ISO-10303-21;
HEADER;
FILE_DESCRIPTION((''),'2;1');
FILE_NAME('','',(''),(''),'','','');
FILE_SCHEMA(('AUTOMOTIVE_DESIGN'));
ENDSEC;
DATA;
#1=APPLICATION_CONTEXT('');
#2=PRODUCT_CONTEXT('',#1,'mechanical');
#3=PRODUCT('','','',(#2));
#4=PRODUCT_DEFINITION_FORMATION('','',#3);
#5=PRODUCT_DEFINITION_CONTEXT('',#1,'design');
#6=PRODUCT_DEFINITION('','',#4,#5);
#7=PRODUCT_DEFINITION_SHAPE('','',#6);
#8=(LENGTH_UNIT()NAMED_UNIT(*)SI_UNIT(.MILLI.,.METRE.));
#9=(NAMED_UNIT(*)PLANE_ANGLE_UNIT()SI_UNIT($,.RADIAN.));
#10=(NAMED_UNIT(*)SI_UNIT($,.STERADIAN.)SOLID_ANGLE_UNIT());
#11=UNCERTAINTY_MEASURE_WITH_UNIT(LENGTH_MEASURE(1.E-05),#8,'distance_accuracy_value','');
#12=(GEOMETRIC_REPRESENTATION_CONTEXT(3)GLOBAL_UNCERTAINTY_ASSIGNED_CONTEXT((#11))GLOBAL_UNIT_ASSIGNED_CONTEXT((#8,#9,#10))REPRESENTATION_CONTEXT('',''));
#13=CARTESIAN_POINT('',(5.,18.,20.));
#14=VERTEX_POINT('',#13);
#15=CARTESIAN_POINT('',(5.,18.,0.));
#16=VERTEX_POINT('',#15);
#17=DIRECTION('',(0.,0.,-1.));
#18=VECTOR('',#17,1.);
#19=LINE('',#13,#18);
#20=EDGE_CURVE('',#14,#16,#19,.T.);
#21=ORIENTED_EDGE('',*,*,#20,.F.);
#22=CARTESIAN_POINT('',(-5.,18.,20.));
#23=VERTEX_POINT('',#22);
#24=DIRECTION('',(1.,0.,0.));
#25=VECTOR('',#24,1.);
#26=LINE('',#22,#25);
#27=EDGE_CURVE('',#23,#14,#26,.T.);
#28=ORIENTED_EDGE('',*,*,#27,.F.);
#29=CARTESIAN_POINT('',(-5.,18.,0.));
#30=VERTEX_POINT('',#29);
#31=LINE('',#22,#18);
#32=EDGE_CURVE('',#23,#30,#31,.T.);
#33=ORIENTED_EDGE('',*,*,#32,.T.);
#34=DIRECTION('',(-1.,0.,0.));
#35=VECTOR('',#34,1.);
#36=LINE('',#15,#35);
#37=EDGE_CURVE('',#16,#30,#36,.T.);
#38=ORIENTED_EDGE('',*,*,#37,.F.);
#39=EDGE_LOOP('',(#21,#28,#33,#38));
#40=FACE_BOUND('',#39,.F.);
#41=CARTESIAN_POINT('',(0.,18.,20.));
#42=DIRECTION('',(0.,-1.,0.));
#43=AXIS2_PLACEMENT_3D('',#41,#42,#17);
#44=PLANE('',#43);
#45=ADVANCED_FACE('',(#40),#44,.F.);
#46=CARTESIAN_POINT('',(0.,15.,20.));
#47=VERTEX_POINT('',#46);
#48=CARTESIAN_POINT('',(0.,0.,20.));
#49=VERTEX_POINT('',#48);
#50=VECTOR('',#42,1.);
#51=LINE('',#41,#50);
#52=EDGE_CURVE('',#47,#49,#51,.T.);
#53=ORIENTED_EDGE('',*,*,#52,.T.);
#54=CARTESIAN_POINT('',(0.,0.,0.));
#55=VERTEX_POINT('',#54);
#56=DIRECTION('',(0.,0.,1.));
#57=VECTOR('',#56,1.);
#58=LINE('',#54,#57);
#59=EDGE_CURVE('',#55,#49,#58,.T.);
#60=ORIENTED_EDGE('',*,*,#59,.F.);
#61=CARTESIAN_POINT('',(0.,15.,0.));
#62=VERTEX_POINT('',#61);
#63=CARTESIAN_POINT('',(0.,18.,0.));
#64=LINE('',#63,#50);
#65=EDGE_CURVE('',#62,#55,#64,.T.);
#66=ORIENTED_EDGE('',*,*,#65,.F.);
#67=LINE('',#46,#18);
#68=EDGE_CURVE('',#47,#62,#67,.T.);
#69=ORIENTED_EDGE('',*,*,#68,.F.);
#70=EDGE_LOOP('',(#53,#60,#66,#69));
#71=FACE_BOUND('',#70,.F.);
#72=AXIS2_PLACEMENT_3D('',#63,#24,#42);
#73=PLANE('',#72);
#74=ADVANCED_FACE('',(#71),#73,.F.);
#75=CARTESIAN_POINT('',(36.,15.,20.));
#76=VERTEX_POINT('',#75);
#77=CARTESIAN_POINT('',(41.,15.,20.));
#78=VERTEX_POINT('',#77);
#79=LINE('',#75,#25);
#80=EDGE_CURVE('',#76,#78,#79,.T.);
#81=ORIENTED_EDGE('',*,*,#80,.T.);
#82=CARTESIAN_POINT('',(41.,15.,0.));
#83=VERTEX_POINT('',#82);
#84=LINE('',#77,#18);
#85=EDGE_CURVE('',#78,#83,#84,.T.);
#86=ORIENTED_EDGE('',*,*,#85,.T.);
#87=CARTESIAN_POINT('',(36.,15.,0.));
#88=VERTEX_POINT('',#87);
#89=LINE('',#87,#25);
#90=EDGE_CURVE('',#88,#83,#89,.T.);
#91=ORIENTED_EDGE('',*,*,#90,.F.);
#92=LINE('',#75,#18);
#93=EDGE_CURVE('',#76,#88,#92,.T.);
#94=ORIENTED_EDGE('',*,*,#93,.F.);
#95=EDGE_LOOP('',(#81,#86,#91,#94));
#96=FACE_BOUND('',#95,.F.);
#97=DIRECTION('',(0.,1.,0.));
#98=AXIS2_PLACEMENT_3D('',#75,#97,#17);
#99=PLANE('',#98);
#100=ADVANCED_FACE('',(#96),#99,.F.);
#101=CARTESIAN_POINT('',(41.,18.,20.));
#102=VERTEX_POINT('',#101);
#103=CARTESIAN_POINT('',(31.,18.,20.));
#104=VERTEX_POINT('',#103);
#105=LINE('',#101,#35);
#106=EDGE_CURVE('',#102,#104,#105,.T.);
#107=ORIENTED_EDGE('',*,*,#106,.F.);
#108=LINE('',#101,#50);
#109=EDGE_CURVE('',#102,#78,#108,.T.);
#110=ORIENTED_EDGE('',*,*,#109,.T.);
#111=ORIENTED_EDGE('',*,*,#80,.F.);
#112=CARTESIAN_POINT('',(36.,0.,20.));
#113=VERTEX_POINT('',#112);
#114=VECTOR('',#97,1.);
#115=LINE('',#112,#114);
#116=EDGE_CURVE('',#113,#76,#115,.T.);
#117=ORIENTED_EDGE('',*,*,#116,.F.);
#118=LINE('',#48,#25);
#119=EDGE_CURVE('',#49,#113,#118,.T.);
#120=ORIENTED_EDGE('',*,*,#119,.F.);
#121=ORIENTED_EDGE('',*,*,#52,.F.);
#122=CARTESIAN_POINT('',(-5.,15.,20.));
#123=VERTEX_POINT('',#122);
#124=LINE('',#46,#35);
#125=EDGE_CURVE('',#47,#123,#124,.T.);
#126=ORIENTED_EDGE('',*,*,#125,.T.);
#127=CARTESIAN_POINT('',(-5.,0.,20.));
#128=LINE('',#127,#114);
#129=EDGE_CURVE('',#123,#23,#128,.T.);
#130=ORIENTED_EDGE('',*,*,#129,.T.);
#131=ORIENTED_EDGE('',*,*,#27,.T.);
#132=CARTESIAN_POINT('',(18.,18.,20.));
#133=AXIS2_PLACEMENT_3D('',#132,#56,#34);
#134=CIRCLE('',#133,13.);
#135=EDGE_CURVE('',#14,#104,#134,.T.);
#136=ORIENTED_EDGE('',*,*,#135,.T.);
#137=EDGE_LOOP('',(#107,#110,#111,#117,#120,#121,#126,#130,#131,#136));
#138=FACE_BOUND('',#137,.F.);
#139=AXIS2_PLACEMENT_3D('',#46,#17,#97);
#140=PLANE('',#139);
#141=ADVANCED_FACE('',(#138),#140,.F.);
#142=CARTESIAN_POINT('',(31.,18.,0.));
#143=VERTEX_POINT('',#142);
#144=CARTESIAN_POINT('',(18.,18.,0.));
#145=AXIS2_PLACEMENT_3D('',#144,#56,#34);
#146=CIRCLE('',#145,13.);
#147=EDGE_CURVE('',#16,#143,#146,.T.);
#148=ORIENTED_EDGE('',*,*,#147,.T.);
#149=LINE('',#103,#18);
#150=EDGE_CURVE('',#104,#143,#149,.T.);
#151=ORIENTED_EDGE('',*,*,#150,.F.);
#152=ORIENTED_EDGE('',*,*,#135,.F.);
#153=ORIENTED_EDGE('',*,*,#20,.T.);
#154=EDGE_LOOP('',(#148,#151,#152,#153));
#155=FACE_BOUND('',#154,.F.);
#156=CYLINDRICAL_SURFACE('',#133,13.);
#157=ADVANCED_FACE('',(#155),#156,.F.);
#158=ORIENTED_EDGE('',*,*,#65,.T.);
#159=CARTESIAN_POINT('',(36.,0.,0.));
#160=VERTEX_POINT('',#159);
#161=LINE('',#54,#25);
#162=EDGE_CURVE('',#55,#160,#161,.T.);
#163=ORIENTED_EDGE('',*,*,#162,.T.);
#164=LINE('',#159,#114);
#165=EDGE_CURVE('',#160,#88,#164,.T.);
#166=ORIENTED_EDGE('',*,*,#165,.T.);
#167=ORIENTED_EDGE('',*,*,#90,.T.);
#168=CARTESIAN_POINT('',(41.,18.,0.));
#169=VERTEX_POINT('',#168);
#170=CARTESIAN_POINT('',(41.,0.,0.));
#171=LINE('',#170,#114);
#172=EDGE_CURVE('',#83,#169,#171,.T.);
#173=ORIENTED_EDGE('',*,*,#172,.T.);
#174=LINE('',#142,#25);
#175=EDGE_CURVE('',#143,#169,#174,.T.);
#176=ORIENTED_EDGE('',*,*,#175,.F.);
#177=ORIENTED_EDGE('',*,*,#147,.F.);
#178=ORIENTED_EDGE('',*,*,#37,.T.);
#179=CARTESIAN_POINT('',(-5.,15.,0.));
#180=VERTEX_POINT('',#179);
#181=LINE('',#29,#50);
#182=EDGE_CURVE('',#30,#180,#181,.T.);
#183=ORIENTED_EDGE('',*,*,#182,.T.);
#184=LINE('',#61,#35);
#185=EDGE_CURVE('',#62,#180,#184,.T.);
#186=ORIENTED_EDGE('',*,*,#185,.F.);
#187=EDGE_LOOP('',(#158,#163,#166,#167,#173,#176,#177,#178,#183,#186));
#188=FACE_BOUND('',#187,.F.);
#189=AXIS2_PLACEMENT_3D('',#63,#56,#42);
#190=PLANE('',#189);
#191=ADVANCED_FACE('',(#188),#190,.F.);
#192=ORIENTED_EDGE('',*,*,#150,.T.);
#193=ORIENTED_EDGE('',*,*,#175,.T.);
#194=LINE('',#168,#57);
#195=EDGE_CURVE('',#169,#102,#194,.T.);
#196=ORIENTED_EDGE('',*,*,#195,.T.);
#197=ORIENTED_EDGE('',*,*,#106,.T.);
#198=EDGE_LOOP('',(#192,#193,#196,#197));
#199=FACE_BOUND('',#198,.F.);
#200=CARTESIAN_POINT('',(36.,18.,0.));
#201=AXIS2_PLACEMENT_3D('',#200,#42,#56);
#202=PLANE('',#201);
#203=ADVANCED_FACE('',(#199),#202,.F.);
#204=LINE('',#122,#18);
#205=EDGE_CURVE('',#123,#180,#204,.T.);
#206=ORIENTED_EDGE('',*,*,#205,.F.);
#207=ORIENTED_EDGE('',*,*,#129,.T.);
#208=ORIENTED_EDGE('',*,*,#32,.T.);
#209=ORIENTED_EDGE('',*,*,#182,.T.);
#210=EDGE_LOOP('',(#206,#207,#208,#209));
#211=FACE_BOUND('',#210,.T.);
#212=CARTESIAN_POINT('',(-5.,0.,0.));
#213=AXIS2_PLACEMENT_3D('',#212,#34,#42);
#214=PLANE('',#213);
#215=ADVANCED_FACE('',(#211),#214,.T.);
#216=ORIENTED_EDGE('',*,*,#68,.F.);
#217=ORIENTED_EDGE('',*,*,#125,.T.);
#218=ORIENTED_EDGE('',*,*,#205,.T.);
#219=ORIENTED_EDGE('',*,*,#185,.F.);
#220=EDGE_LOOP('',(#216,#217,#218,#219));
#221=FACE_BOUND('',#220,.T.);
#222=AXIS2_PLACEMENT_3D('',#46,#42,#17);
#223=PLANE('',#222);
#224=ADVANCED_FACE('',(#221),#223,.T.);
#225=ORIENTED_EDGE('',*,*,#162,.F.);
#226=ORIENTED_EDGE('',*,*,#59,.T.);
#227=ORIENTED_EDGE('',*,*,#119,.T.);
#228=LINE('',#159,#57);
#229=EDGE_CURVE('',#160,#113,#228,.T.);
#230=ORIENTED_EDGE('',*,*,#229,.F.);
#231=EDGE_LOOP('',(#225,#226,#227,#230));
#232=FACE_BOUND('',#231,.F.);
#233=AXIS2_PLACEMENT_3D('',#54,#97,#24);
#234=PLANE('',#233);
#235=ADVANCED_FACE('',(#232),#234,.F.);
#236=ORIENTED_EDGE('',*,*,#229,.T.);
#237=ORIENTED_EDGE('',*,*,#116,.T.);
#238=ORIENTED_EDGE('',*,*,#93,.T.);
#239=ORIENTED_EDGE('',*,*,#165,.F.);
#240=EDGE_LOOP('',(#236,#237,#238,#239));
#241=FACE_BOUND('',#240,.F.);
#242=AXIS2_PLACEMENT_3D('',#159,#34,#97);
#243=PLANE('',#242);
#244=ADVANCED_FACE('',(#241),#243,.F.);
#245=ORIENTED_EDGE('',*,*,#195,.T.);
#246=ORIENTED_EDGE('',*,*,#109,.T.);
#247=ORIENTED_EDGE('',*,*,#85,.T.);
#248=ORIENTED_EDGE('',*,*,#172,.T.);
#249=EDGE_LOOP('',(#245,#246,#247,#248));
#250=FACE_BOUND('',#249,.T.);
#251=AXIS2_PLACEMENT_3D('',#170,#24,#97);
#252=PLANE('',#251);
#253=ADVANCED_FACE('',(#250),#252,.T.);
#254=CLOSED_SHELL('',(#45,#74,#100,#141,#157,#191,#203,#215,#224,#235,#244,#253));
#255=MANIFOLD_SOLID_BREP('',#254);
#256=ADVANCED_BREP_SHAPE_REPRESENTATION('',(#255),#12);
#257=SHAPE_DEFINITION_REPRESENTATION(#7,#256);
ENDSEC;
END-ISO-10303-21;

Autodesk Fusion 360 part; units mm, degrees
sketch "Sketch1" plane through (0, 0, 0) normal (0, 0, 1) x (1, 0, 0)
  line L0 (0, 0) -> (36, 0)
  line L1 (36, 0) -> (36, 18)
  line L2 (36, 18) -> (0, 18)
  line L3 (0, 18) -> (0, 0)
  dimension "d1" = 36
  dimension "d2" = 18
extrude "Extrude1" add sketch "Sketch1" along normal blind 20
sketch "Sketch2" plane through (0, 0, 20) normal (0, 0, 1) x (-1, 0, 0)
  line L0 (0, -18) -> (0, 0)
  line L1 (0, 0) -> (-36, 0)
  line L2 (-36, 0) -> (-36, -18)
  line L3 (-36, -18) -> (0, -18)
  circle A0 centre (-18, -18) radius 13
  dimension "d5" = 26
extrude "Extrude2" cut sketch "Sketch2" against normal blind 20 contours L3 A0 picked at (-19.0768, -11.2377)
ref_plane "WorkPlane1" through (0, 20, 0) normal (0, 1, 0) x (0, 0, 1)
sketch "Sketch3" plane through (36, 0, 0) normal (1, 0, 0) x (0, 1, 0)
  line L0 (0, 0) -> (18, 0)
  line L1 (18, 0) -> (18, 20)
  line L2 (18, 20) -> (0, 20)
  line L3 (0, 20) -> (0, 0)
  line L4 (18, 20) -> (15, 20)
  line L5 (15, 20) -> (15, 0)
  line L6 (15, 0) -> (18, 0)
  line L7 (18, 0) -> (18, 20)
extrude "Extrude3" add sketch "Sketch3" along normal blind 5 contours L0 L1 L2 L4 L5 L6 L7
sketch "Sketch4" plane through (0, 0, 0) normal (-1, 0, 0) x (0, -1, 0)
  line L0 (-18, 0) -> (0, 0)
  line L1 (0, 0) -> (0, 20)
  line L2 (0, 20) -> (-18, 20)
  line L3 (-18, 20) -> (-18, 0)
  line L4 (-18, 20) -> (-15, 20)
  line L5 (-15, 20) -> (-15, 0)
  line L6 (-15, 0) -> (-18, 0)
  line L7 (-18, 0) -> (-18, 20)
  point P0 (-15, 0)
extrude "Extrude4" add sketch "Sketch4" along normal blind 5 contours L0 L2 L3 L4 L5 L6 L7
sketch "Sketch5" plane through (0, 15, 0) normal (0, -1, 0) x (1, 0, 0)
  line L0 (36, 20) -> (36, 0)
  line L1 (36, 0) -> (41, 0)
  line L2 (41, 0) -> (41, 20)
  line L3 (41, 20) -> (36, 20)
  line L4 (36, 10) -> (46, 10) construction
  circle A0 centre (38.5, 15) radius 1.5
  line L5 (5, 20) -> (5, 0)
  line L6 (18, 10) -> (18, 25) construction
  circle A1 centre (38.5, 5) radius 1.5
  circle A2 centre (-2.5, 15) radius 1.5
  circle A3 centre (-2.5, 5) radius 1.5
  point P0 (0, 20)
  dimension "d13" = 3
  dimension "d14" = 5
  dimension "d15" = 2.5
